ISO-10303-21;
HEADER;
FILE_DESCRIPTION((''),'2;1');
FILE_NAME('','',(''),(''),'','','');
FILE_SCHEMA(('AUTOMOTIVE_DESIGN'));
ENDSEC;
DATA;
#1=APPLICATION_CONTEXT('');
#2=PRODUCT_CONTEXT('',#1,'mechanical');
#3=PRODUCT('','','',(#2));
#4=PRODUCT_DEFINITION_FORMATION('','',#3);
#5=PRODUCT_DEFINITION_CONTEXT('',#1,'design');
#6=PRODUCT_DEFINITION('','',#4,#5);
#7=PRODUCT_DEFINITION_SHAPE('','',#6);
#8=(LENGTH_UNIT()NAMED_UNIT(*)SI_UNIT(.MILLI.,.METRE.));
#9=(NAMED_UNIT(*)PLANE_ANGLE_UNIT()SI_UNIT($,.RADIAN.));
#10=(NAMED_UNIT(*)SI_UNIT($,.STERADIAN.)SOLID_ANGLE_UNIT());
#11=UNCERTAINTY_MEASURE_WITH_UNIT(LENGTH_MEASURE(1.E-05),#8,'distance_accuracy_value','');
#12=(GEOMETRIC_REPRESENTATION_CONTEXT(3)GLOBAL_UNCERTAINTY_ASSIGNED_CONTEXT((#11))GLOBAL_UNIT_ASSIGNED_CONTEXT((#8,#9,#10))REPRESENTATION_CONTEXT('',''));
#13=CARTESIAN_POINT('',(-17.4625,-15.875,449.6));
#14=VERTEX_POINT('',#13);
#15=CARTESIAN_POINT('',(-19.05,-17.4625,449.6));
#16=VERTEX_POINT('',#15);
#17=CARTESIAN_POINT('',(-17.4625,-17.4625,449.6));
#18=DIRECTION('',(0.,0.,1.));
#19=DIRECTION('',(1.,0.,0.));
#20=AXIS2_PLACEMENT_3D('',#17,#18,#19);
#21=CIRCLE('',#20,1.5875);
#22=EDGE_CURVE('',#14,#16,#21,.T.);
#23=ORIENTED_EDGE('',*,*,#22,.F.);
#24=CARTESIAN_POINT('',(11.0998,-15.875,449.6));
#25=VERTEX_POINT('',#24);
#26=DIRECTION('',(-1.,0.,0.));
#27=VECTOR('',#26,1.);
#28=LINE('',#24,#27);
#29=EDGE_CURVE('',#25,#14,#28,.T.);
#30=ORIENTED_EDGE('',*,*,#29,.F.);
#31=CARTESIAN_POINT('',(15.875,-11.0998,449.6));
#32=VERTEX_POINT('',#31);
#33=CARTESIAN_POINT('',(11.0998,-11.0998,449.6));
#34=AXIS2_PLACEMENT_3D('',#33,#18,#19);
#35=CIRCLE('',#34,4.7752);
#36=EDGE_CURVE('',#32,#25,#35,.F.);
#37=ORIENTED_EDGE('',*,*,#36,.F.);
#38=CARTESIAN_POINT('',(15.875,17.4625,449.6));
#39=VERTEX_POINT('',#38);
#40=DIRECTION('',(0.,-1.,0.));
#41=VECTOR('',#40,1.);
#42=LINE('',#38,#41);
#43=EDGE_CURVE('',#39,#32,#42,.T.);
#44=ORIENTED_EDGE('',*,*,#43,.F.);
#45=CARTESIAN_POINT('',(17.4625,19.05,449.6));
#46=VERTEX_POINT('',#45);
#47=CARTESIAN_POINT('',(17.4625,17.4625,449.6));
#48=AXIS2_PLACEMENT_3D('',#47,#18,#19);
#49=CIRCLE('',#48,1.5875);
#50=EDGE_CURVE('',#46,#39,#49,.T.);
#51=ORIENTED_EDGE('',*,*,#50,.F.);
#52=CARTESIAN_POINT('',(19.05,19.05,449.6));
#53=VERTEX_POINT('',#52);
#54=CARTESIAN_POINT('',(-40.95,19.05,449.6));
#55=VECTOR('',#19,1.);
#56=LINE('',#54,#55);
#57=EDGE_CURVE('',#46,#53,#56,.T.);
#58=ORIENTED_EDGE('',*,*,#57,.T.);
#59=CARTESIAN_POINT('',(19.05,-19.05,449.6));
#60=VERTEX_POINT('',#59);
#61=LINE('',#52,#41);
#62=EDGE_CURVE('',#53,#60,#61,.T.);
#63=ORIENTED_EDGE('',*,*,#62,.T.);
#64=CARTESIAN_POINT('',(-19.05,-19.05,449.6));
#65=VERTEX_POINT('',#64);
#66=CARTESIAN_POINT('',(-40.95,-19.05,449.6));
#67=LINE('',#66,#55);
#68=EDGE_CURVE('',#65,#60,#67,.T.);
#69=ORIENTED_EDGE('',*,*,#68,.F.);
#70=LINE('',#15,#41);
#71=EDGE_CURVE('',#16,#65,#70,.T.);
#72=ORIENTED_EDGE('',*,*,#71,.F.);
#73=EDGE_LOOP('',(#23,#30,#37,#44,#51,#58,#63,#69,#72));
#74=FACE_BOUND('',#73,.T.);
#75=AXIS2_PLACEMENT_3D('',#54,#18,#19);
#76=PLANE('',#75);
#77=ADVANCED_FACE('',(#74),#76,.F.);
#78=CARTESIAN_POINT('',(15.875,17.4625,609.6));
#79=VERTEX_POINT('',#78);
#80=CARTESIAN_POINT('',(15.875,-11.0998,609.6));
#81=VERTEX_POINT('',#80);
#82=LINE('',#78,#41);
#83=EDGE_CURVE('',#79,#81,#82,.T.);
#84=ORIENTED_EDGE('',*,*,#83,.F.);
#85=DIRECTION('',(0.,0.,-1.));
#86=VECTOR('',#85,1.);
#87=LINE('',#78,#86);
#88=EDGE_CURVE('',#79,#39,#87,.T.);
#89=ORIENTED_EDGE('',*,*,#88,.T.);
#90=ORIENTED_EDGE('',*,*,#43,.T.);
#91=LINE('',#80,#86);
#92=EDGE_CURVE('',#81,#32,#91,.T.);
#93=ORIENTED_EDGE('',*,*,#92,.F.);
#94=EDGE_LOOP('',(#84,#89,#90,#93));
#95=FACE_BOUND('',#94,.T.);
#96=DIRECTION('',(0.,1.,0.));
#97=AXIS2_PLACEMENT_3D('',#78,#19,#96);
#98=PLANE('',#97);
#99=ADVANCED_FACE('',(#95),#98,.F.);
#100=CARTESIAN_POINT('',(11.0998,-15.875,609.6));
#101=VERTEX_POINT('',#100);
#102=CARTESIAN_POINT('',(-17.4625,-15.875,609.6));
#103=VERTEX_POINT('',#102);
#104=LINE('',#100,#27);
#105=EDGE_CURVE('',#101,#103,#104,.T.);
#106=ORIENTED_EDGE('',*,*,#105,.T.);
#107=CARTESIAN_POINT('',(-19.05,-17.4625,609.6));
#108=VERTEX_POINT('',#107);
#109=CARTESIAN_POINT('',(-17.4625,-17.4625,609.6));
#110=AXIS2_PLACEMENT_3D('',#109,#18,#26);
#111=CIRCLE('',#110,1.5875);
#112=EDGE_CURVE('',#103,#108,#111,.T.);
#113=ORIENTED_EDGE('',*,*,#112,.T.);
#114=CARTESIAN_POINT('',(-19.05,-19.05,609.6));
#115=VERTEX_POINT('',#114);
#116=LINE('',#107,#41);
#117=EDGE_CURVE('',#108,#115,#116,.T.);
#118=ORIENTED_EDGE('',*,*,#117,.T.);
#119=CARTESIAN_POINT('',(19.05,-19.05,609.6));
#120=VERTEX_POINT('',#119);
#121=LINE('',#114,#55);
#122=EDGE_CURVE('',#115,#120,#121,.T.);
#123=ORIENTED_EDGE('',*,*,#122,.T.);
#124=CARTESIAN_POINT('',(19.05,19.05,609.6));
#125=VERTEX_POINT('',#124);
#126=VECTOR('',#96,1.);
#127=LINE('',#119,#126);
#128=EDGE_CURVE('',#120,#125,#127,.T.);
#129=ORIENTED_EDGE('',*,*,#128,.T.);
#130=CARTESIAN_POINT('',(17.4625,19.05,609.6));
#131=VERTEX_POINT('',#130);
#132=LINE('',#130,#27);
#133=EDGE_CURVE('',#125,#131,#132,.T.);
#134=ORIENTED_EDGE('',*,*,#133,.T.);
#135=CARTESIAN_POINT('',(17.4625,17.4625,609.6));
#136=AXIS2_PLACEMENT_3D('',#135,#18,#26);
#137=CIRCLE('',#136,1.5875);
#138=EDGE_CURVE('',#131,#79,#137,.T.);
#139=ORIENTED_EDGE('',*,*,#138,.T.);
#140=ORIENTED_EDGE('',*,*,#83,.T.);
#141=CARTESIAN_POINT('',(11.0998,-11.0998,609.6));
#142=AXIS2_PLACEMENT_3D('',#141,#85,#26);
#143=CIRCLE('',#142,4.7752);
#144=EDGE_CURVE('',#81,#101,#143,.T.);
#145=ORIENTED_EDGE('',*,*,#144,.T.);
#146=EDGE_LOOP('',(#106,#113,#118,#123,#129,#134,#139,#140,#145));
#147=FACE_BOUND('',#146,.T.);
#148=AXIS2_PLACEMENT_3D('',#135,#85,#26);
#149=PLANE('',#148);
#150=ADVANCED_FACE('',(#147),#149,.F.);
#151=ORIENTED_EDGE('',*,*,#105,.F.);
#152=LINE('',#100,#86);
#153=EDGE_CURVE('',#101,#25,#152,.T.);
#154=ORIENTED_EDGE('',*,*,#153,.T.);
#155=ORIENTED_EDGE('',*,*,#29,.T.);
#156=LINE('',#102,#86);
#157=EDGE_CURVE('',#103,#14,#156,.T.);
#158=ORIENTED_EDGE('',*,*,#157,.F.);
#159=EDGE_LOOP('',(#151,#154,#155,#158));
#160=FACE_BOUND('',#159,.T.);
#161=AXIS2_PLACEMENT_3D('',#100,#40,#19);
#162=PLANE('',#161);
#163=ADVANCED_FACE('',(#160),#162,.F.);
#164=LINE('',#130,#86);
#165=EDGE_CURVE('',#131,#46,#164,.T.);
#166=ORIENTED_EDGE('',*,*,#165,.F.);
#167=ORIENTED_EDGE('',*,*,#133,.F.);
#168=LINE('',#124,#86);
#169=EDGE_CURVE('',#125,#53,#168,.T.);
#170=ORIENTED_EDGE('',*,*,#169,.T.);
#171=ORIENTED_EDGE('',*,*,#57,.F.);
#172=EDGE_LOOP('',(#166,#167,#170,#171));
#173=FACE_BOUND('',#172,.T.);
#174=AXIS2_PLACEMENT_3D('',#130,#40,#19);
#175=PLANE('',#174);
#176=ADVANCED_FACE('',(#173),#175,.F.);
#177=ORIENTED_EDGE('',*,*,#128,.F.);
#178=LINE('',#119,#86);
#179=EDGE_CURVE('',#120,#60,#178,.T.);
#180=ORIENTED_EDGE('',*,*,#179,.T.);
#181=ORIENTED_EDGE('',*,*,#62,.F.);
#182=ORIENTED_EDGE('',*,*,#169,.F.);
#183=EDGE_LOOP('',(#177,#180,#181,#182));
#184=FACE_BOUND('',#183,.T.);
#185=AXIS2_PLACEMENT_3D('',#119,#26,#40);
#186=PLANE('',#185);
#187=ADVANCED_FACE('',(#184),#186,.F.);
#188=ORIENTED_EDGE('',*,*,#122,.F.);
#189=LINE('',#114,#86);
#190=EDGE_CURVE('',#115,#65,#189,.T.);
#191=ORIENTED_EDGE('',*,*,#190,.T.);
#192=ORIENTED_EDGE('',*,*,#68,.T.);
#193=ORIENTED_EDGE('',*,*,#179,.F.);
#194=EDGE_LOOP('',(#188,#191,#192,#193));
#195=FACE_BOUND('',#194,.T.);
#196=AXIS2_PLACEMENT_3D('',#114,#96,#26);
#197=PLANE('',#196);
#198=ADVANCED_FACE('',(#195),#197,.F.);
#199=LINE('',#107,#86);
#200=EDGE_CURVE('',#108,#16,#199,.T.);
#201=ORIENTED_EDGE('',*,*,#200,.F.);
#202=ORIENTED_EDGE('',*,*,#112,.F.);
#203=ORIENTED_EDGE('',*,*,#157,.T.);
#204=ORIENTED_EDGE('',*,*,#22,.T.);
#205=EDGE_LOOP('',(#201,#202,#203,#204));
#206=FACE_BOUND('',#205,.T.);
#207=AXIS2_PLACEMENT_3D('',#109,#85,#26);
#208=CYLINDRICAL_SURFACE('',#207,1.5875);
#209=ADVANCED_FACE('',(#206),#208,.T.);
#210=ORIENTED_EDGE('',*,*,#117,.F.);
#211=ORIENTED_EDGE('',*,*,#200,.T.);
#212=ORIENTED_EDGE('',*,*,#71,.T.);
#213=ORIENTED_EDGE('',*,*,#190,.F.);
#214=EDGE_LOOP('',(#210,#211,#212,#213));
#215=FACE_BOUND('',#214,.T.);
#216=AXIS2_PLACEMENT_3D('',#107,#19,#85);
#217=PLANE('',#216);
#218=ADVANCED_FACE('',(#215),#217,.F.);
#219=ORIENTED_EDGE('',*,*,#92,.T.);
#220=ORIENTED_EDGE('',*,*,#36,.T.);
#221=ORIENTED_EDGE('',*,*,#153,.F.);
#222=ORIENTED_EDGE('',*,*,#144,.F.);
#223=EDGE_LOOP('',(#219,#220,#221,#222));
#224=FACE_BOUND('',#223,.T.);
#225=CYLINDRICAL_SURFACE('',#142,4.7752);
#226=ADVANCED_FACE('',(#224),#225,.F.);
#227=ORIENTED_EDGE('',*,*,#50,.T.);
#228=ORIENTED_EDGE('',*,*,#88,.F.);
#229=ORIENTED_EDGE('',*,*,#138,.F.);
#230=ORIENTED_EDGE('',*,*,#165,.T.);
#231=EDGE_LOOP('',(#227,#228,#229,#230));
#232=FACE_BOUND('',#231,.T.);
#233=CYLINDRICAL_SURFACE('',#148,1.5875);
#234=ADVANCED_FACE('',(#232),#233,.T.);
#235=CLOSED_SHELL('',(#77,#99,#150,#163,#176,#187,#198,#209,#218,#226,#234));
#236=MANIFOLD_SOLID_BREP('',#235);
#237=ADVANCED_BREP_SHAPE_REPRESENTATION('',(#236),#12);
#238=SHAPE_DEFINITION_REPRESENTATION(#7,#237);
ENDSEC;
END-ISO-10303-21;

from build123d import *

# Parameters (mm, degrees)
BOSS_EXTRUDE1_DEPTH = 609.6
SKETCH3_W           = 635.2
SKETCH3_H           = 38.1
CUT_EXTRUDE1_DEPTH  = 60
SKETCH4_W           = 424
SKETCH4_H           = 38.1
CUT_EXTRUDE2_DEPTH  = 60


with BuildPart() as part:
    # Sketch2 → Boss-Extrude1 (new, symmetric)
    with BuildSketch(Plane.XY):
        with BuildLine():
            Line((-19.05, -19.05), (19.05, -19.05))
            Line((19.05, -19.05), (19.05, 19.05))
            Line((19.05, 19.05), (17.4625, 19.05))
            ThreePointArc((17.4625, 19.05), (16.339967985, 18.585032015), (15.875, 17.4625))
            Line((15.875, 17.4625), (15.875, -11.0998))
            ThreePointArc((15.875, -11.0998), (14.476376302, -14.476376302), (11.0998, -15.875))
            Line((11.0998, -15.875), (-17.4625, -15.875))
            ThreePointArc((-17.4625, -15.875), (-18.585032015, -16.339967985), (-19.05, -17.4625))
            Line((-19.05, -17.4625), (-19.05, -19.05))
        make_face()
    extrude(amount=BOSS_EXTRUDE1_DEPTH, both=True)

    # Sketch3 → Cut-Extrude1 (cut)
    with BuildSketch(Plane(origin=(19.05, 0, 0), x_dir=(0, 0, -1), z_dir=(1, 0, 0))):
        with Locations((292, 0)):
            Rectangle(SKETCH3_W, SKETCH3_H)
    extrude(amount=-CUT_EXTRUDE1_DEPTH, mode=Mode.SUBTRACT)

    # Sketch4 → Cut-Extrude2 (cut)
    with BuildSketch(Plane(origin=(19.05, 0, 0), x_dir=(0, 0, -1), z_dir=(1, 0, 0))):
        with Locations((-237.6, 0)):
            Rectangle(SKETCH4_W, SKETCH4_H)
    extrude(amount=-CUT_EXTRUDE2_DEPTH, mode=Mode.SUBTRACT)


solid = part.part
